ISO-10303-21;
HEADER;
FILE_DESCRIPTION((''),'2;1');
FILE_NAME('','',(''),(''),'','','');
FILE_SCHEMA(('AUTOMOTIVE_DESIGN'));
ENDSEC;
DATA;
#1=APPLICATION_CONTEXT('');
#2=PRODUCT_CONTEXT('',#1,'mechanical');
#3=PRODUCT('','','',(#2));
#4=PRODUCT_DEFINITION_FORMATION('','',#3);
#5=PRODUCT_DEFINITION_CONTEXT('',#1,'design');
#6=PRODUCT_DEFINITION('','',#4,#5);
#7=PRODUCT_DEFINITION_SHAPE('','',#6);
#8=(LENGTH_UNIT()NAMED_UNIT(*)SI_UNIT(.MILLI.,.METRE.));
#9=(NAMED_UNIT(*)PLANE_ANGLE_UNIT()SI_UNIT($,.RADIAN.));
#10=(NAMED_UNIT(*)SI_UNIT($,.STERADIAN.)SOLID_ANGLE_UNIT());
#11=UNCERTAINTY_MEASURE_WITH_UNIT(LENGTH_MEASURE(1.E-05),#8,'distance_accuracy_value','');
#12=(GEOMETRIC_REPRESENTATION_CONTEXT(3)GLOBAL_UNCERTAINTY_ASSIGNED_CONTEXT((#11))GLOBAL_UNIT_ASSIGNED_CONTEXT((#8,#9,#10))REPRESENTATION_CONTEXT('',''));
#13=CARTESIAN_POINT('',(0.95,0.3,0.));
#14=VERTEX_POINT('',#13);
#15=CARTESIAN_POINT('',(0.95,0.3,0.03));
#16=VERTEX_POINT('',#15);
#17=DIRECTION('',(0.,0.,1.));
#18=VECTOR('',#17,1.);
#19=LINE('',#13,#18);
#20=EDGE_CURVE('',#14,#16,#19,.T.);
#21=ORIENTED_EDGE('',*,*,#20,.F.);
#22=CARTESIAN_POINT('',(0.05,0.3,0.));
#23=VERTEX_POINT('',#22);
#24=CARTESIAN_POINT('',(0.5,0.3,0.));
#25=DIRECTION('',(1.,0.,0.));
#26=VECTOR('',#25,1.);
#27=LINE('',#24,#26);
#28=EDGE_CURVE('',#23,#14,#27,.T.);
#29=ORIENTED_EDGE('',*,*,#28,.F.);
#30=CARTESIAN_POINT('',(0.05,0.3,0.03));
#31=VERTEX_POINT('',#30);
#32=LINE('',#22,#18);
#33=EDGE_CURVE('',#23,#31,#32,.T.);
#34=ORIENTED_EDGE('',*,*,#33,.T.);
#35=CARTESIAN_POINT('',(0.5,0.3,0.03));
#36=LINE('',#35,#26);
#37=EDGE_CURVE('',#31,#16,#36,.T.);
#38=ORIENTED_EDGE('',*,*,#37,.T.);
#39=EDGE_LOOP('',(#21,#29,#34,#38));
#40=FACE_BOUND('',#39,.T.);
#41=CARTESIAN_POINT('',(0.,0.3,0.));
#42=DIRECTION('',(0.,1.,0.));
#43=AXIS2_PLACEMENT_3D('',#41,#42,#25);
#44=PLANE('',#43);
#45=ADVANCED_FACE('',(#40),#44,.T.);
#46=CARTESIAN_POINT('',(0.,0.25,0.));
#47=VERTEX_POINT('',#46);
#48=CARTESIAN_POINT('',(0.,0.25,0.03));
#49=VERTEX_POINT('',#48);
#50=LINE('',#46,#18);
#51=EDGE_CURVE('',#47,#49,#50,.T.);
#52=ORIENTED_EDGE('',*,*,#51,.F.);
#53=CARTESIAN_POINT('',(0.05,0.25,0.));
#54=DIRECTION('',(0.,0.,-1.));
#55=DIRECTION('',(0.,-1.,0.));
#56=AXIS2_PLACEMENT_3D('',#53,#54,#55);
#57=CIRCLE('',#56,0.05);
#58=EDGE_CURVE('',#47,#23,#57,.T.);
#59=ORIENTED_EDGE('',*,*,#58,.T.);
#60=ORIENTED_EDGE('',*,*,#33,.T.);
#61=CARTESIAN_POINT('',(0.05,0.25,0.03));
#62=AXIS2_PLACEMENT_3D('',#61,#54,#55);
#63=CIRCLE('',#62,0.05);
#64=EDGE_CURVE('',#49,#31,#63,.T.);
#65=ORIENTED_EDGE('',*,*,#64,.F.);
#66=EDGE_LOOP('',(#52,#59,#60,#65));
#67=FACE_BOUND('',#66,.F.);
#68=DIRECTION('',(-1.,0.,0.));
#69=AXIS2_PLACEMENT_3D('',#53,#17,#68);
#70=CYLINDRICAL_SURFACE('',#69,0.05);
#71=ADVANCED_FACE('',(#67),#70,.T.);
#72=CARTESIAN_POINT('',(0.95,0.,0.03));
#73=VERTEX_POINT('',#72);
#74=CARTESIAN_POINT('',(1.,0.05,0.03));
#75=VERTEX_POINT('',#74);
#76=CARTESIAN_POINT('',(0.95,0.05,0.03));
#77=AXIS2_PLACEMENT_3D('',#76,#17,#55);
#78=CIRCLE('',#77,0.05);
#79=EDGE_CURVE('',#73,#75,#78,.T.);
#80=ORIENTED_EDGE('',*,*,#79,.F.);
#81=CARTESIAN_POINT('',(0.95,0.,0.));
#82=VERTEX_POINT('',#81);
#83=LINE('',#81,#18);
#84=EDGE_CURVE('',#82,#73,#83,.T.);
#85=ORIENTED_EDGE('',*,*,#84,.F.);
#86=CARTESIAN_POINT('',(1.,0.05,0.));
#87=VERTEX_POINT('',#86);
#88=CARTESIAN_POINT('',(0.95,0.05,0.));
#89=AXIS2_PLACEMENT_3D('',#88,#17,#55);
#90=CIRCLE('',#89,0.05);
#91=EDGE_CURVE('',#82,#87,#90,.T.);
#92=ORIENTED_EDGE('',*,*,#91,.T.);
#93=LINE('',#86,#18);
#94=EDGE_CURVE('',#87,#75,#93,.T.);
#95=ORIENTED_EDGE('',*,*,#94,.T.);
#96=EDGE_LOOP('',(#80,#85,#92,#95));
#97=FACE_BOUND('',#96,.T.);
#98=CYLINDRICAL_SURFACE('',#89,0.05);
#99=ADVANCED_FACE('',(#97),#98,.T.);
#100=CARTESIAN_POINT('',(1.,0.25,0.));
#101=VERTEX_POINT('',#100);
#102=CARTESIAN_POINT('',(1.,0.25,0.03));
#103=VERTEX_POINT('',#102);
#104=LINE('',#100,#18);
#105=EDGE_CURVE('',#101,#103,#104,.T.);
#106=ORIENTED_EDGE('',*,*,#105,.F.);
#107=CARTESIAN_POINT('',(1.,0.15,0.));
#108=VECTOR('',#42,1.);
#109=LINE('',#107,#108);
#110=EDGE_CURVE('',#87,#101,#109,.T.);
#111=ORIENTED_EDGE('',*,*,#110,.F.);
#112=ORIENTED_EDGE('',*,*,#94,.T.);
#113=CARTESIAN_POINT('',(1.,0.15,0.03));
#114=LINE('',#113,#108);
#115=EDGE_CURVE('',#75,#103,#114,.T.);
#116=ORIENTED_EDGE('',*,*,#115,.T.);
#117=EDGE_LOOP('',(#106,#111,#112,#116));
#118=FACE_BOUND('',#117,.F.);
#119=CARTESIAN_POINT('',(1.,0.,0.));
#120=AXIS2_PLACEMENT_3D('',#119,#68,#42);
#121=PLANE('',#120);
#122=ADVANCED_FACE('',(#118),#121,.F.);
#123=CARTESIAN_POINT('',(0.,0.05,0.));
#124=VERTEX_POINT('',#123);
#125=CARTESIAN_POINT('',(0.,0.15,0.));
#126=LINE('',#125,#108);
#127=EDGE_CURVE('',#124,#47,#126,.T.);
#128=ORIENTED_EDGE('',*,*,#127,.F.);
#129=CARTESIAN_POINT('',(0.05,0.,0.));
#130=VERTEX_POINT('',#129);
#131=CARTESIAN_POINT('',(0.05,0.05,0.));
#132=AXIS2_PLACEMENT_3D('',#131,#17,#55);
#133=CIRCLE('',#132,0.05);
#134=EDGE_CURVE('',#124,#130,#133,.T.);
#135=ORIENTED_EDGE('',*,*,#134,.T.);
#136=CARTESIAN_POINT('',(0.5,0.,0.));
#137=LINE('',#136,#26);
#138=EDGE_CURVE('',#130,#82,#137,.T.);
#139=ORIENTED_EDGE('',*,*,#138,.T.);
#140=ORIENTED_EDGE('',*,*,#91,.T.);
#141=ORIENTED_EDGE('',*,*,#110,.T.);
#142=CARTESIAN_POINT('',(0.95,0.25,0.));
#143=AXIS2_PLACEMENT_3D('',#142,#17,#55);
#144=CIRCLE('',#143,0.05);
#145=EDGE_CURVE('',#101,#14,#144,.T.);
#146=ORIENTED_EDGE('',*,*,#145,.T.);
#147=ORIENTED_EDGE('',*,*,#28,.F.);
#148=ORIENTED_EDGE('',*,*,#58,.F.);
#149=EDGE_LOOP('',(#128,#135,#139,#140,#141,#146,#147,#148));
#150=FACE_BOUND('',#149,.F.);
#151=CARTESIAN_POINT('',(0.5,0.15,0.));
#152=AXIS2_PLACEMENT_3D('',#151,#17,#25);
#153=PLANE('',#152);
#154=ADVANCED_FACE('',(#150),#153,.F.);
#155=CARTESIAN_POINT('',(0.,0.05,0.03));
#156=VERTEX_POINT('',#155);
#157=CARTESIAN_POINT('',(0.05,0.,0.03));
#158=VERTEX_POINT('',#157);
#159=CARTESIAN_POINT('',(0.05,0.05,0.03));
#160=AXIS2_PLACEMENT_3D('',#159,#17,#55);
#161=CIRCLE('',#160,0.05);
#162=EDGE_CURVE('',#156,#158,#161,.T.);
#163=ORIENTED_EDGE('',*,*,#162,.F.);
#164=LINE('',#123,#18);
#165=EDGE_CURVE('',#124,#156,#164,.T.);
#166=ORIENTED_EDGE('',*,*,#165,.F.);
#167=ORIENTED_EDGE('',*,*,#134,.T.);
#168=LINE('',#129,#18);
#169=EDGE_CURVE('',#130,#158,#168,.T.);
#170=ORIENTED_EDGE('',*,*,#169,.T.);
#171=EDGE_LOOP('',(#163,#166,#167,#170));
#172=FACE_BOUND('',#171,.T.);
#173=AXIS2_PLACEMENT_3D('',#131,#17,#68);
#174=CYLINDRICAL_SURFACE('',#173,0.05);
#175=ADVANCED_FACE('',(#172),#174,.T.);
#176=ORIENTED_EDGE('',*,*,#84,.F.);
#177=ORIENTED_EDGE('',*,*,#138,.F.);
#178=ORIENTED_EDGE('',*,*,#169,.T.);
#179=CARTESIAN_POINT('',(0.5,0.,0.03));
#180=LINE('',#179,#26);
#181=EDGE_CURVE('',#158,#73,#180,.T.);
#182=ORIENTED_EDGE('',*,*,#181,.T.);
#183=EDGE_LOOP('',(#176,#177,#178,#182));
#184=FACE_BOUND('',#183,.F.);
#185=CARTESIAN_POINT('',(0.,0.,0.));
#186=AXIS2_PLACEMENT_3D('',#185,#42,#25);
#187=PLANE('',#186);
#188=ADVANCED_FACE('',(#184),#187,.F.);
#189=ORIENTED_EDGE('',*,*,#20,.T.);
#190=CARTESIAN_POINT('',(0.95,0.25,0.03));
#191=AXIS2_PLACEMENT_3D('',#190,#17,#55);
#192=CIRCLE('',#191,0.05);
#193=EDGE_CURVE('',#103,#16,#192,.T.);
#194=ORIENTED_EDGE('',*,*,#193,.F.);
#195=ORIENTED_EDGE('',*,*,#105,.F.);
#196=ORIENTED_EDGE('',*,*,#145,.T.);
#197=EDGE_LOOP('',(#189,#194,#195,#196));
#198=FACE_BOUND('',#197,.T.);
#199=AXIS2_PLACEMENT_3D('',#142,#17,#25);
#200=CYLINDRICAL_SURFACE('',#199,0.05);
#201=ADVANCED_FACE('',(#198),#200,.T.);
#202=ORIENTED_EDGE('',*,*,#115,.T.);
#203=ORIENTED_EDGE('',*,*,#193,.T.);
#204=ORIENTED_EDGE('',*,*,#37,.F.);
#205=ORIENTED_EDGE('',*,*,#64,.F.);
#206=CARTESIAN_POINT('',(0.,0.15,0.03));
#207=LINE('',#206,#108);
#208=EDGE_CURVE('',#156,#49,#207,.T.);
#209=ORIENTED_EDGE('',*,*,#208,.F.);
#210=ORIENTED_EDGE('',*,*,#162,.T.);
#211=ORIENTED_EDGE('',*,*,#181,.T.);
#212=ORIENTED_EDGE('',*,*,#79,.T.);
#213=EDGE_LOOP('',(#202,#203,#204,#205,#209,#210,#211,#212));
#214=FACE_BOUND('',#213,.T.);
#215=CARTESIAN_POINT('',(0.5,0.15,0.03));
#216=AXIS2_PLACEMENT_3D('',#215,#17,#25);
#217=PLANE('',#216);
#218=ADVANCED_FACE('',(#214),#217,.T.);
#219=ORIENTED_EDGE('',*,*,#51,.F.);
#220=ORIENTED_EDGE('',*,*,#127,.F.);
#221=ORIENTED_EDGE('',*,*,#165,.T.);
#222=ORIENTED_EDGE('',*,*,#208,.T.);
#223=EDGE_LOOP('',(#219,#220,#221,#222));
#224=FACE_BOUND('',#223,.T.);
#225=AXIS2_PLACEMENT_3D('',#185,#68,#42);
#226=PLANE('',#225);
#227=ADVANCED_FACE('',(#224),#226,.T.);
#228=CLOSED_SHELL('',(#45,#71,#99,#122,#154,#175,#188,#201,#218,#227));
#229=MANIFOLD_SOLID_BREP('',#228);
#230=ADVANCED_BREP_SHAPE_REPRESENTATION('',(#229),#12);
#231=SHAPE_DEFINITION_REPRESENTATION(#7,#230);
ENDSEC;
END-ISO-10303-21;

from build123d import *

# Parameters (mm, degrees)
BOX_W     = 1
BOX_H     = 0.3
BOX_DEPTH = 0.03
FILLET_R  = 0.05


with BuildPart() as part:
    # Box → Box (new body)
    with BuildSketch(Plane.XY):
        with Locations((0.5, 0.15)):
            Rectangle(BOX_W, BOX_H)
    extrude(amount=BOX_DEPTH)

    # Fillet
    fillet_edges = [part.edges().sort_by_distance(p)[0] for p in [
        (0, 0, 0.015),
        (0, 0.3, 0.015),
        (1, 0, 0.015),
        (1, 0.3, 0.015),
    ]]
    fillet(fillet_edges, radius=FILLET_R)


solid = part.part
